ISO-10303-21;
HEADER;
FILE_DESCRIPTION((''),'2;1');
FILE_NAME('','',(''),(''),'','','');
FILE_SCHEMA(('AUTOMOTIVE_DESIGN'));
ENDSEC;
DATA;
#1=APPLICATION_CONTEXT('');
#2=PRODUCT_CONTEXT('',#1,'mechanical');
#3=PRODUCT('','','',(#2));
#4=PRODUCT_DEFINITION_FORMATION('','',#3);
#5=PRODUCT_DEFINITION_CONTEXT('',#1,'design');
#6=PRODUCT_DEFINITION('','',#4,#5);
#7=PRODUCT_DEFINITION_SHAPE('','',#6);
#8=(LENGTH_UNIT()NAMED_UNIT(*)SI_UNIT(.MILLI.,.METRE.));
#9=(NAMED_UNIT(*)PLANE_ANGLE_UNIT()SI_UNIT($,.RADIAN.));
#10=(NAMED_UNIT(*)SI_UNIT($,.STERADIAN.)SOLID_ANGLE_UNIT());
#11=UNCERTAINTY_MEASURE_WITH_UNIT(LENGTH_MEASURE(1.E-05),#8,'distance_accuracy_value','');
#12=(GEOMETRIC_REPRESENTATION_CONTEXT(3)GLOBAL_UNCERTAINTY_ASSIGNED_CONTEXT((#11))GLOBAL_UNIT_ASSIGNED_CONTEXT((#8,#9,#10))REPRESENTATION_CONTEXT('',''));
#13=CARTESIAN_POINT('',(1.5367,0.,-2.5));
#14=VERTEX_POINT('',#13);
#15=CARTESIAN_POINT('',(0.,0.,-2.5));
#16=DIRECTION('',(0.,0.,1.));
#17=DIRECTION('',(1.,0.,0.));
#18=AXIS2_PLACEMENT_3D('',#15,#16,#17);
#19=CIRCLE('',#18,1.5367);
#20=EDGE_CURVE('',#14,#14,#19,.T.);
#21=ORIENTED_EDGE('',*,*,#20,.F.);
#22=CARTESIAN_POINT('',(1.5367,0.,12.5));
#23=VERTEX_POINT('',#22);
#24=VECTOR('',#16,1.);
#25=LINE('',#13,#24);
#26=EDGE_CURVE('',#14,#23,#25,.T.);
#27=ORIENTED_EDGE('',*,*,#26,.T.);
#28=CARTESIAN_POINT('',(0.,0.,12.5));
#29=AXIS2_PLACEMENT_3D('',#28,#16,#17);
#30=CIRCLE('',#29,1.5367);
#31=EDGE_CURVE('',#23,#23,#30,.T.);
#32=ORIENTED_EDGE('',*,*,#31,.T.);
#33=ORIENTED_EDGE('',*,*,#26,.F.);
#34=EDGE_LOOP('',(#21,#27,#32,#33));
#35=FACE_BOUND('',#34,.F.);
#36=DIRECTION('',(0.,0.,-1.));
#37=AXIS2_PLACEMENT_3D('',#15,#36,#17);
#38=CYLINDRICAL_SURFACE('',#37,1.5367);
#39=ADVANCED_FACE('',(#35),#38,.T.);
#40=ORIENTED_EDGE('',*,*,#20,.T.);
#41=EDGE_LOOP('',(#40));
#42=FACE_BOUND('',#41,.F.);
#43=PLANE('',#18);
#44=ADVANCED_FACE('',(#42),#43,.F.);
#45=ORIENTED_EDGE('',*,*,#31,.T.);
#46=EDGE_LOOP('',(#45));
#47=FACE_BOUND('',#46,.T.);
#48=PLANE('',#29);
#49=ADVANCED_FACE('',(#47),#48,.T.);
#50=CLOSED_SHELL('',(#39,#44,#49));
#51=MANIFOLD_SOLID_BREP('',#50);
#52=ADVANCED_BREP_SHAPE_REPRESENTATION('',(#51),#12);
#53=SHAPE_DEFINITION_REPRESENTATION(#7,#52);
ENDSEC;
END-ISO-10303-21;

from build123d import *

# Parameters (mm, degrees)
CYLINDER_R     = 1.5367
CYLINDER_DEPTH = 15


with BuildPart() as part:
    # Cylinder → Cylinder (new body)
    with BuildSketch(Plane.XY.offset(-2.5)):
        Circle(CYLINDER_R)
    extrude(amount=CYLINDER_DEPTH)


solid = part.part
